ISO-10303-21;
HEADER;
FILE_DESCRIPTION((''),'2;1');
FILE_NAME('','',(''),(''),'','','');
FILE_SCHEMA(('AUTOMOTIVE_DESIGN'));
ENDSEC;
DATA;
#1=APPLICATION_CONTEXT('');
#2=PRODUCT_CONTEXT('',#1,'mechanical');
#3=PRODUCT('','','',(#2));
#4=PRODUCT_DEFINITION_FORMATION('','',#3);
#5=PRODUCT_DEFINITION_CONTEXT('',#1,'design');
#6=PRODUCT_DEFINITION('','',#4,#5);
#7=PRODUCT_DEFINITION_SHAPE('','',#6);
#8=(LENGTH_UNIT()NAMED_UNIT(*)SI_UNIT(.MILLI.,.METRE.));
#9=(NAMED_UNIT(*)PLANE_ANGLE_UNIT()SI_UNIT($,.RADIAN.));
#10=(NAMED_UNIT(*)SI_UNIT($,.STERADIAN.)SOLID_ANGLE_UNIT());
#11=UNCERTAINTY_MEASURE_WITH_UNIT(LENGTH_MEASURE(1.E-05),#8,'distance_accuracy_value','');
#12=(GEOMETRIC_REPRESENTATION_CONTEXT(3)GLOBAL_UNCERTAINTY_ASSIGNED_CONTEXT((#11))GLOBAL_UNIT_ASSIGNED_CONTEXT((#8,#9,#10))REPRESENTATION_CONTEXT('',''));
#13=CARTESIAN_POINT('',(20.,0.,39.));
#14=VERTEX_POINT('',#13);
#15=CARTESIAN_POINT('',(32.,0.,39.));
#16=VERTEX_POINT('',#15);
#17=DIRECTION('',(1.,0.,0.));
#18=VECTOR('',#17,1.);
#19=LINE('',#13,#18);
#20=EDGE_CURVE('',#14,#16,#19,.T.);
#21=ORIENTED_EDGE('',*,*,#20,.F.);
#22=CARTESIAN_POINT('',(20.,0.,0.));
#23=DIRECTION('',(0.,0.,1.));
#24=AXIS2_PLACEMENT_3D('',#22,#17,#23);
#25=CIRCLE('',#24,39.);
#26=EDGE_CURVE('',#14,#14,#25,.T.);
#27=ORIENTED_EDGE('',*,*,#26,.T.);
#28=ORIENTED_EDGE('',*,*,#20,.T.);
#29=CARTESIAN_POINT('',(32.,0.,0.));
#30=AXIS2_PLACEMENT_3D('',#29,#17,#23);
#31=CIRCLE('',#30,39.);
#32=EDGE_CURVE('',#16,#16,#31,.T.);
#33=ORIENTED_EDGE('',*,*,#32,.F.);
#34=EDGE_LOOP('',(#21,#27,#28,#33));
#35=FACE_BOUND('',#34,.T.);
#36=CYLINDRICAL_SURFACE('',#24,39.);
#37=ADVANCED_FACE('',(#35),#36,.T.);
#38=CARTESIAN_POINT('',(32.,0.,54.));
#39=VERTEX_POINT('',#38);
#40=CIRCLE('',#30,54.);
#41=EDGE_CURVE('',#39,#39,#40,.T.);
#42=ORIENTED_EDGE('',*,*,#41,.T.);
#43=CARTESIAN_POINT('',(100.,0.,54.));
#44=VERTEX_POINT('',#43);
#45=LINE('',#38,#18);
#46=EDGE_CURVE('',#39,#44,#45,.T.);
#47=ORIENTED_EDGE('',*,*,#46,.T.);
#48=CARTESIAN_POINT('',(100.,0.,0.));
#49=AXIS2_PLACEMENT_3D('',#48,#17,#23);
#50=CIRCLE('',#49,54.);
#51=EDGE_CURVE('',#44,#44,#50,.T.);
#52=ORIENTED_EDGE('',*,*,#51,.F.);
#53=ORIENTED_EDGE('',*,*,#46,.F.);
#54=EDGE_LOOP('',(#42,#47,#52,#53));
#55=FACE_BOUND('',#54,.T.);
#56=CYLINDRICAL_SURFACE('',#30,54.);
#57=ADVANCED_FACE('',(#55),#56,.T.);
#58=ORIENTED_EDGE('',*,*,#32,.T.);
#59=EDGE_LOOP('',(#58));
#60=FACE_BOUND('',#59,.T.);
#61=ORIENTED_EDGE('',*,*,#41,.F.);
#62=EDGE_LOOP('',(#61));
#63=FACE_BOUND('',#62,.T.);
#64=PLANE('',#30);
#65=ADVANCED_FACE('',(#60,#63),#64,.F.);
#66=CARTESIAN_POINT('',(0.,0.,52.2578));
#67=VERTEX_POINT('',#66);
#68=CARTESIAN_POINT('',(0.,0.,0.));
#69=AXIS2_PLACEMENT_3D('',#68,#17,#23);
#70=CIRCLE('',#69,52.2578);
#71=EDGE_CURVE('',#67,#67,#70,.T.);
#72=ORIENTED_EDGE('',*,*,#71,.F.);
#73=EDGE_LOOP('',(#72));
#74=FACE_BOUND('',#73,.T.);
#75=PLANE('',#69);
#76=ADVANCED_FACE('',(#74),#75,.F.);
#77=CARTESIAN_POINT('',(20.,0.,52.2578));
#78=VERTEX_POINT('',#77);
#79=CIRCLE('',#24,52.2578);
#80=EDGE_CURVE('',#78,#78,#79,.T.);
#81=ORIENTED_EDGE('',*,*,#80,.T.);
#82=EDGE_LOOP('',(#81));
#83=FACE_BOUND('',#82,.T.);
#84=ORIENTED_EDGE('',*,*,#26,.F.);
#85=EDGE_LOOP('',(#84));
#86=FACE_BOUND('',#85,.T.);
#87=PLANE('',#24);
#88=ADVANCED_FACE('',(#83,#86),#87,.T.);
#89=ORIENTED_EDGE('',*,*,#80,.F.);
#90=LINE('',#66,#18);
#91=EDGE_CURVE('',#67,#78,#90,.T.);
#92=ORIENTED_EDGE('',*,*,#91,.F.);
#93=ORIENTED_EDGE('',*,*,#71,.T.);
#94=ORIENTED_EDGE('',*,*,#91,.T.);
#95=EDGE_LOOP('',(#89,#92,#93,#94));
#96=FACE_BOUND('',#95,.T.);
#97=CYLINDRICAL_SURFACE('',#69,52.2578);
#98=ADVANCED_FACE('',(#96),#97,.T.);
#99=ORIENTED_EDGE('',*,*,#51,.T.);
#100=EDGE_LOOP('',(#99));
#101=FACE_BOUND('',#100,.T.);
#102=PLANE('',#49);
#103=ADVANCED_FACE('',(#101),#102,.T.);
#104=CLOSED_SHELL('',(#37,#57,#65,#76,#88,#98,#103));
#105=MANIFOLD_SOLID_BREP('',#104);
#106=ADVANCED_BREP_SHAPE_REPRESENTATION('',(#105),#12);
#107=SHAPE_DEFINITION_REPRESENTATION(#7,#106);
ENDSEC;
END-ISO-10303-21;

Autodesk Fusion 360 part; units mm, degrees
sketch "Sketch1" plane through (0, 0, 0) normal (0, 1, 0) x (1, 0, 0)
  line L0 (0, 0) -> (100, 0)
  line L1 (0, 0) -> (0, -52.2578)
  line L2 (0, -52.2578) -> (20, -52.2578)
  line L3 (20, -52.2578) -> (20, -39)
  line L4 (20, -39) -> (32, -39)
  line L5 (32, -39) -> (32, -54)
  line L6 (32, -54) -> (100, -54)
  line L7 (100, -54) -> (100, 0)
  dimension "d1" = 20
  dimension "d2" = 12
  dimension "d4" = 78
  dimension "d5" = 108
revolve "Revolve1" add sketch "Sketch1" angle 360 about axis through (0, 0, 0) along (1, 0, 0)
